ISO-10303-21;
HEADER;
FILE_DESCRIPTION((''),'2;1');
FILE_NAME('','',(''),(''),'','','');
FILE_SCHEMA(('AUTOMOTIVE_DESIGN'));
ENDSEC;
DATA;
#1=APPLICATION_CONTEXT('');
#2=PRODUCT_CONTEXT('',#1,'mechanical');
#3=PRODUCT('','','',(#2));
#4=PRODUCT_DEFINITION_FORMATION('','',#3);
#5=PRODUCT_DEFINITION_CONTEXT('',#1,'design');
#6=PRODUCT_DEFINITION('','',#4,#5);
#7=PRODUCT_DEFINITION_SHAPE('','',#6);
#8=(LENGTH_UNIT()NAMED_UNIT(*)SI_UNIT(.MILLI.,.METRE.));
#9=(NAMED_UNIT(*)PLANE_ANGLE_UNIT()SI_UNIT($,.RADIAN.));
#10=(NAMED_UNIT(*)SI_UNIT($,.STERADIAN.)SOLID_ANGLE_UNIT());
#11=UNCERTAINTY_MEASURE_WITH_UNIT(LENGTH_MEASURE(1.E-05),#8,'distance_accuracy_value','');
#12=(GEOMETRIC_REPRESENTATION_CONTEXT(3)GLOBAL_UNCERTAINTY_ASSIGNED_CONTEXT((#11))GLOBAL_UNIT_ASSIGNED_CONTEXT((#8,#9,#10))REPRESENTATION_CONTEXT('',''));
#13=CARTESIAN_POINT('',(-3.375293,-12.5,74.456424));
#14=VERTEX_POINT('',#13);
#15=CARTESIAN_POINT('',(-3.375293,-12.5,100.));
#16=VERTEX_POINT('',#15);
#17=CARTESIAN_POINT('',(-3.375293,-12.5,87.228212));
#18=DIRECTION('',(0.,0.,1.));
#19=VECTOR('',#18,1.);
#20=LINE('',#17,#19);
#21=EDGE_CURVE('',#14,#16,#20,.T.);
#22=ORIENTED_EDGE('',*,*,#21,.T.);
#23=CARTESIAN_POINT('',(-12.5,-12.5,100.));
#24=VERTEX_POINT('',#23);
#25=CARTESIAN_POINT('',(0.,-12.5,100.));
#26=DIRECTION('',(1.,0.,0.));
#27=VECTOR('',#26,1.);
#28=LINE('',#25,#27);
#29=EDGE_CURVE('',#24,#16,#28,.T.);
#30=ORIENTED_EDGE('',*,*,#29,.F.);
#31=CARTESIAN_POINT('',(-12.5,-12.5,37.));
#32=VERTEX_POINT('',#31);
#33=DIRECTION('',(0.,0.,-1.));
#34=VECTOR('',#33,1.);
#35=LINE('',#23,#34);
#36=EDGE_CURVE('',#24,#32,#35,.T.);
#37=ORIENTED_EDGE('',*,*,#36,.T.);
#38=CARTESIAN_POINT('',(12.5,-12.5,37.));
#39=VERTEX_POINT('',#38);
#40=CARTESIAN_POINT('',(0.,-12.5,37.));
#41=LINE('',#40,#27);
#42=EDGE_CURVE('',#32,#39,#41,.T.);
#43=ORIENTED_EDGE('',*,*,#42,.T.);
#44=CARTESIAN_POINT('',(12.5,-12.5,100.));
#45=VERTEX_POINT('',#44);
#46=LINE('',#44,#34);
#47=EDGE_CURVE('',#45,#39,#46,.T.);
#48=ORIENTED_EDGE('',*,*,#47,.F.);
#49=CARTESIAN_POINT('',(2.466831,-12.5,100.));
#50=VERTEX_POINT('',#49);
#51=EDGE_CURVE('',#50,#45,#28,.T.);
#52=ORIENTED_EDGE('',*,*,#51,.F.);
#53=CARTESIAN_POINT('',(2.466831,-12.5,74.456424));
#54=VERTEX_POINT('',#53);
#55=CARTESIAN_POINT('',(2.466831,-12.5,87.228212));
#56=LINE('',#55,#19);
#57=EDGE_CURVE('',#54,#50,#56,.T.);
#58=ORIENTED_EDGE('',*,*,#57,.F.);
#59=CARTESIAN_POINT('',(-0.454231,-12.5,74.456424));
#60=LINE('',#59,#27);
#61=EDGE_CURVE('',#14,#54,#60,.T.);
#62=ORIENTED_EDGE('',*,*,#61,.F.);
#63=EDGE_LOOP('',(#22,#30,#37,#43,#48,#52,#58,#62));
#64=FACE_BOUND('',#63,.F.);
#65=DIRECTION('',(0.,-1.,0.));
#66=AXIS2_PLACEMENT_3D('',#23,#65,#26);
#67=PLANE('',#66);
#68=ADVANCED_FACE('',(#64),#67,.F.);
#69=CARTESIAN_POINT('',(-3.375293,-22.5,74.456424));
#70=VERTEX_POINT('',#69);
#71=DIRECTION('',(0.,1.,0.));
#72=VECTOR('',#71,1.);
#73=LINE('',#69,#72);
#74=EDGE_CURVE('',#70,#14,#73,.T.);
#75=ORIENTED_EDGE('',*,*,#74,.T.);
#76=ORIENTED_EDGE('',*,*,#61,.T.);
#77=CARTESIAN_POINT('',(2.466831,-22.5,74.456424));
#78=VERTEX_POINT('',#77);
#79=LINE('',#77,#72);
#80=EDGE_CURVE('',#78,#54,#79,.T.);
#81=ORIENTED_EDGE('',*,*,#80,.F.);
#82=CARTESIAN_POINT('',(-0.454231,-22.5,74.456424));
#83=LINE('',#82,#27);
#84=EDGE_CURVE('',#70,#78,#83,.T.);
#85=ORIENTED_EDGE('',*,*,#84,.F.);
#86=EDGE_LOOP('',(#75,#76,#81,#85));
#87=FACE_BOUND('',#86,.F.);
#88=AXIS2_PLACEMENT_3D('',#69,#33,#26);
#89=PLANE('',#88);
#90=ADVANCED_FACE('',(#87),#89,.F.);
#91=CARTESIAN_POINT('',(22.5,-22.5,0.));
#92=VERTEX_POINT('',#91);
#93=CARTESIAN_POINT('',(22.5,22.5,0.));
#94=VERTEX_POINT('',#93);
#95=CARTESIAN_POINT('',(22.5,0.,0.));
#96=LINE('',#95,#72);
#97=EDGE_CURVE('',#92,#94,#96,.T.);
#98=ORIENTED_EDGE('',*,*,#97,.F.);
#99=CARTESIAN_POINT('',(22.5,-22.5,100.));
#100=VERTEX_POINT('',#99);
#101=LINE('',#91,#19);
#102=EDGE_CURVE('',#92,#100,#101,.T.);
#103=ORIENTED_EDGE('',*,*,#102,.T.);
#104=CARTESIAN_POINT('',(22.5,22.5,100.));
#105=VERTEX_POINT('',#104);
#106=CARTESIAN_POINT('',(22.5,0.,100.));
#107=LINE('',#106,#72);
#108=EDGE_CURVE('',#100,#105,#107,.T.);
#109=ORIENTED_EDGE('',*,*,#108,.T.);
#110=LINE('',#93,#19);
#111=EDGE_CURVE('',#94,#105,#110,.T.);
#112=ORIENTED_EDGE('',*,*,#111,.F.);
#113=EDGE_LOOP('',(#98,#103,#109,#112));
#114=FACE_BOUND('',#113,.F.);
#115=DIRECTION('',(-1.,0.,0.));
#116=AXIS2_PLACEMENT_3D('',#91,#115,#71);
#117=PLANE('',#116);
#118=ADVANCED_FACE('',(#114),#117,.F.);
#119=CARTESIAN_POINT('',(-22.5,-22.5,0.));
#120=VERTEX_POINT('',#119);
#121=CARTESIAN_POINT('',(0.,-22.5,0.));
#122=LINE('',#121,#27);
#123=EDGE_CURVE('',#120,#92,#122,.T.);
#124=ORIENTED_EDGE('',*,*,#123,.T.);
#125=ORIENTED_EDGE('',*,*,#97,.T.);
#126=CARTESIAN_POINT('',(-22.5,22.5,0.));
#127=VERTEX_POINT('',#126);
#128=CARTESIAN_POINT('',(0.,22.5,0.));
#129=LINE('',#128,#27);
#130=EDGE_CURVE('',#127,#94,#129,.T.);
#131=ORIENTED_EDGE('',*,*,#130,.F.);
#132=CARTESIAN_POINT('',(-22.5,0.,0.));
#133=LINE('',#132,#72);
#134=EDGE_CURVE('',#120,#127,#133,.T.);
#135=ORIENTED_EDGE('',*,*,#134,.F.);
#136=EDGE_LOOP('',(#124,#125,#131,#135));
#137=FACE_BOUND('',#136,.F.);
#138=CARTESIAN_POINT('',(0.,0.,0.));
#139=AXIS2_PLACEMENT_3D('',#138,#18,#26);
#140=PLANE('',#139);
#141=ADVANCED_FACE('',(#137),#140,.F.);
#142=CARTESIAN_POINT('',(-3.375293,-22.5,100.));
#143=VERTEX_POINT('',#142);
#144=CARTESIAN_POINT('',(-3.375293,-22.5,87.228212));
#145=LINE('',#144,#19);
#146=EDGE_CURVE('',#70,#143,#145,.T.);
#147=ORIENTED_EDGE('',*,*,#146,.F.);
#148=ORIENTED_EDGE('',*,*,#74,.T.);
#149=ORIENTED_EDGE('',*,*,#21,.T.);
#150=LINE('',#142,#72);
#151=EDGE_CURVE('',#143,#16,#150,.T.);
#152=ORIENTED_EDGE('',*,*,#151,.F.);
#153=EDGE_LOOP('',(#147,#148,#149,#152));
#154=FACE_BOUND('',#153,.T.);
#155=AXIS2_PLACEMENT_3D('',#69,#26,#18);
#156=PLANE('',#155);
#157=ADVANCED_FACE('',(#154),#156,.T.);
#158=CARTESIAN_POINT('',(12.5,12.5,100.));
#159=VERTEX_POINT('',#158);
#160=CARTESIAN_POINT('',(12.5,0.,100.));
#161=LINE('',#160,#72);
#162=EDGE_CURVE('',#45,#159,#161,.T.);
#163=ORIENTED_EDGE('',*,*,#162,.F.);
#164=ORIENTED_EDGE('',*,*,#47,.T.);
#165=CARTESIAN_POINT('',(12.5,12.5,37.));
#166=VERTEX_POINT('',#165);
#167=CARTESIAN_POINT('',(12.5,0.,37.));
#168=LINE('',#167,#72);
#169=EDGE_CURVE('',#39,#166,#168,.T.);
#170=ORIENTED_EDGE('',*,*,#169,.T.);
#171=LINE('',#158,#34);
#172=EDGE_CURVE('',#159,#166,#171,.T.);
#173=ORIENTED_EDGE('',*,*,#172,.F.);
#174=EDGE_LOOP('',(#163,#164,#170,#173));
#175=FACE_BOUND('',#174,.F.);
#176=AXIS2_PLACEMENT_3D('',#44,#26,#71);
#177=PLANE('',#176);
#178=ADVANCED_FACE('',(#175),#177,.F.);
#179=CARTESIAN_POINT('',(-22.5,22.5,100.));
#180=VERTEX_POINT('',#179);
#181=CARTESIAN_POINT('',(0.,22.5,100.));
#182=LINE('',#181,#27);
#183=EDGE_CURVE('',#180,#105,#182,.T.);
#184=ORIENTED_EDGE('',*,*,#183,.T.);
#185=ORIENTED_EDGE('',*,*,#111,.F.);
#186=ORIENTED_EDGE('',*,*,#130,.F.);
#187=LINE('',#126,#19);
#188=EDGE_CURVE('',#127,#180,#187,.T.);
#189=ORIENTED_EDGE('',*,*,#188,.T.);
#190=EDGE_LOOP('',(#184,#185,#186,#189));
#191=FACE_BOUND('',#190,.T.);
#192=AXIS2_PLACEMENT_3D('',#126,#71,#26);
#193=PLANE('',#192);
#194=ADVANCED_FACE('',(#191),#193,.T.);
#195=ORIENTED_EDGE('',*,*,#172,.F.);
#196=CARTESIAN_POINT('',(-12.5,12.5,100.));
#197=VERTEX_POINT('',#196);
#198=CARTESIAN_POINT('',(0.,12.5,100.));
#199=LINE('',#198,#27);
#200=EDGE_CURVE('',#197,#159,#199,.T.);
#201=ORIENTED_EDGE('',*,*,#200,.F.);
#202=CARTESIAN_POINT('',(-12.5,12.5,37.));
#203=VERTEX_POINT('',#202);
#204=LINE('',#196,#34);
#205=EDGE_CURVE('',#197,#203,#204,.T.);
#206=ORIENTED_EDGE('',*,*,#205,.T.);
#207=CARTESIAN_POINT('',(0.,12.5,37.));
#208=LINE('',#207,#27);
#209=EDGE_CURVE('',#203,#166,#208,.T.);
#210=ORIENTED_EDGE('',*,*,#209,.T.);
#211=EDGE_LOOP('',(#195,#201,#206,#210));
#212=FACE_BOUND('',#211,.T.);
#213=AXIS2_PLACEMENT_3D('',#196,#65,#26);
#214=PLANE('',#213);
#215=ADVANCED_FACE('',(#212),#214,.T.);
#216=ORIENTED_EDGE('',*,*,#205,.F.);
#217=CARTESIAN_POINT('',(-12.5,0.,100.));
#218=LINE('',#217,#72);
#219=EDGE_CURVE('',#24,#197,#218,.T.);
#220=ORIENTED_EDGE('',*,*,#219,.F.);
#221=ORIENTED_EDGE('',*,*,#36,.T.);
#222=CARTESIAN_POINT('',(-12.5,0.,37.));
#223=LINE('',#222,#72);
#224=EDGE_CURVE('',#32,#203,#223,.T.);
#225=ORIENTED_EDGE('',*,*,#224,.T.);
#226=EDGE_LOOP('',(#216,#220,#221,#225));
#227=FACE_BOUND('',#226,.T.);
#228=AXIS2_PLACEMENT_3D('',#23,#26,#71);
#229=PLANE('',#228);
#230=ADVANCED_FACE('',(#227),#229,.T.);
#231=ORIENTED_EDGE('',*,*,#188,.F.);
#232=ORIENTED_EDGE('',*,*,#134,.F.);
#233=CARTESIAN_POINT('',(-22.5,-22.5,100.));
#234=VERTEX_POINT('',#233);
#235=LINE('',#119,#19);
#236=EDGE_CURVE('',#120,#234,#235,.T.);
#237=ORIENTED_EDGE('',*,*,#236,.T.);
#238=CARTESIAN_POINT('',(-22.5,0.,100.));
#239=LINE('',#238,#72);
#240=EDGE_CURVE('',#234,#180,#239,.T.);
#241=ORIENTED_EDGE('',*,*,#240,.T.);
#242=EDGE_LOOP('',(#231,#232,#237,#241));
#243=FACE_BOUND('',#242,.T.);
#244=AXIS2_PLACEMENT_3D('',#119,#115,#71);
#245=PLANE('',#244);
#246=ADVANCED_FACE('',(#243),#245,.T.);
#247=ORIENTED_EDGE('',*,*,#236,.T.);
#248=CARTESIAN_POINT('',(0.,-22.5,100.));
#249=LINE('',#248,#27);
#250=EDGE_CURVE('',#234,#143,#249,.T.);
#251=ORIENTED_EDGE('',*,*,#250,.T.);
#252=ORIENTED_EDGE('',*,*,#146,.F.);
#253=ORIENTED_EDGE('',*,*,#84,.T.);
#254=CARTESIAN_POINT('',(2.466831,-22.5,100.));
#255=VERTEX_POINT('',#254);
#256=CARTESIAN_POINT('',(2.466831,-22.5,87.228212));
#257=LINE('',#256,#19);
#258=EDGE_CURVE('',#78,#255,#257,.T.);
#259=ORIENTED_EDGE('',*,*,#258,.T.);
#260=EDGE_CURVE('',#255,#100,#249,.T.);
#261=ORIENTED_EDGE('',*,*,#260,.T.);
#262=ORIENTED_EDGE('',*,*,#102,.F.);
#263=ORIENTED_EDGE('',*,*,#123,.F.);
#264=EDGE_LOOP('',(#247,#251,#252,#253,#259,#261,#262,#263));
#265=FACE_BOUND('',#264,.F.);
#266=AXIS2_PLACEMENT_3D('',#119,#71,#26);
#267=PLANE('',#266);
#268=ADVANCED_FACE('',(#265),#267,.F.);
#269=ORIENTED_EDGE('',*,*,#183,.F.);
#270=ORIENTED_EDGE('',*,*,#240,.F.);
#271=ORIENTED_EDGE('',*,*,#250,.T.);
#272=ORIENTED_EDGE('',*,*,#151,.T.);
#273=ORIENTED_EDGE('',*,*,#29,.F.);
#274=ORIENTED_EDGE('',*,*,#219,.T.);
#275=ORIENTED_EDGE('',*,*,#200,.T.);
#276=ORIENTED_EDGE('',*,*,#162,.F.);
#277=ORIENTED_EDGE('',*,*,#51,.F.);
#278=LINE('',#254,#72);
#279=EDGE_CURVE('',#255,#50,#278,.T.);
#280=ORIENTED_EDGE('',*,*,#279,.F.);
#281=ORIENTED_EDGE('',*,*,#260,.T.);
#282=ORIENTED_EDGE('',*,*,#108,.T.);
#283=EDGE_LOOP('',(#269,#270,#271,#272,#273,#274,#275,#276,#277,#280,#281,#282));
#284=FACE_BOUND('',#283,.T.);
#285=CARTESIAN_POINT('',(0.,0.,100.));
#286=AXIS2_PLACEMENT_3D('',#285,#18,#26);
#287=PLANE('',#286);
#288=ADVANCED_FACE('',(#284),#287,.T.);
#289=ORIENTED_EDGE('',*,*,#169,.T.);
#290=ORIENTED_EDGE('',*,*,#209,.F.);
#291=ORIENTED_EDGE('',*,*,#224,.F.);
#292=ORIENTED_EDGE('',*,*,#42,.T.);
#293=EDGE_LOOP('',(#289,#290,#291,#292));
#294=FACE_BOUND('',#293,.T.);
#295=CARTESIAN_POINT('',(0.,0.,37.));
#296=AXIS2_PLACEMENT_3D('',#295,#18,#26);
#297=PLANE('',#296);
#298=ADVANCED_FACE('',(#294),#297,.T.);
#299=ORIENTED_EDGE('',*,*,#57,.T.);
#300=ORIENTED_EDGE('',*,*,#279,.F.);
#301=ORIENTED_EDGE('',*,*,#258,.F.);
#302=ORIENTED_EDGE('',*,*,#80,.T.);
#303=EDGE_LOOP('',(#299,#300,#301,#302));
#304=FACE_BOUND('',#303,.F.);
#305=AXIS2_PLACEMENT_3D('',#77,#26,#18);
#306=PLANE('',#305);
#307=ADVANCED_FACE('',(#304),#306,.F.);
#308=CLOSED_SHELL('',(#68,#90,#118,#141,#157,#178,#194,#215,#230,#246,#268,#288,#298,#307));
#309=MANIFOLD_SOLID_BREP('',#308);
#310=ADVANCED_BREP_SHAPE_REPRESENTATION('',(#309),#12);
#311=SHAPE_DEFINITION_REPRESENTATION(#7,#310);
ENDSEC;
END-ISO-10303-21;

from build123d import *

# Parameters (mm, degrees)
F0_W     = 45
F0_H     = 45
F1_DEPTH = 100
F2_W     = 25
F2_H     = 25
F3_DEPTH = 63
F4_W     = 5.842124
F4_H     = 25.543576
F5_DEPTH = 10


with BuildPart() as f1:
    # F0 (on Top) → F1 (new body)
    with BuildSketch(Plane.XY):
        Rectangle(F0_W, F0_H)
    extrude(amount=F1_DEPTH)

    # F2 (on face) → F3 (cut)
    with BuildSketch(Plane.XY.offset(100)):
        Rectangle(F2_W, F2_H)
    extrude(amount=-F3_DEPTH, mode=Mode.SUBTRACT)

    # F4 (on face) → F5 (cut)
    with BuildSketch(Plane.XZ.offset(22.5)):
        with Locations((-0.454231, 87.228212)):
            Rectangle(F4_W, F4_H)
    extrude(amount=-F5_DEPTH, mode=Mode.SUBTRACT)


solid = f1.part
